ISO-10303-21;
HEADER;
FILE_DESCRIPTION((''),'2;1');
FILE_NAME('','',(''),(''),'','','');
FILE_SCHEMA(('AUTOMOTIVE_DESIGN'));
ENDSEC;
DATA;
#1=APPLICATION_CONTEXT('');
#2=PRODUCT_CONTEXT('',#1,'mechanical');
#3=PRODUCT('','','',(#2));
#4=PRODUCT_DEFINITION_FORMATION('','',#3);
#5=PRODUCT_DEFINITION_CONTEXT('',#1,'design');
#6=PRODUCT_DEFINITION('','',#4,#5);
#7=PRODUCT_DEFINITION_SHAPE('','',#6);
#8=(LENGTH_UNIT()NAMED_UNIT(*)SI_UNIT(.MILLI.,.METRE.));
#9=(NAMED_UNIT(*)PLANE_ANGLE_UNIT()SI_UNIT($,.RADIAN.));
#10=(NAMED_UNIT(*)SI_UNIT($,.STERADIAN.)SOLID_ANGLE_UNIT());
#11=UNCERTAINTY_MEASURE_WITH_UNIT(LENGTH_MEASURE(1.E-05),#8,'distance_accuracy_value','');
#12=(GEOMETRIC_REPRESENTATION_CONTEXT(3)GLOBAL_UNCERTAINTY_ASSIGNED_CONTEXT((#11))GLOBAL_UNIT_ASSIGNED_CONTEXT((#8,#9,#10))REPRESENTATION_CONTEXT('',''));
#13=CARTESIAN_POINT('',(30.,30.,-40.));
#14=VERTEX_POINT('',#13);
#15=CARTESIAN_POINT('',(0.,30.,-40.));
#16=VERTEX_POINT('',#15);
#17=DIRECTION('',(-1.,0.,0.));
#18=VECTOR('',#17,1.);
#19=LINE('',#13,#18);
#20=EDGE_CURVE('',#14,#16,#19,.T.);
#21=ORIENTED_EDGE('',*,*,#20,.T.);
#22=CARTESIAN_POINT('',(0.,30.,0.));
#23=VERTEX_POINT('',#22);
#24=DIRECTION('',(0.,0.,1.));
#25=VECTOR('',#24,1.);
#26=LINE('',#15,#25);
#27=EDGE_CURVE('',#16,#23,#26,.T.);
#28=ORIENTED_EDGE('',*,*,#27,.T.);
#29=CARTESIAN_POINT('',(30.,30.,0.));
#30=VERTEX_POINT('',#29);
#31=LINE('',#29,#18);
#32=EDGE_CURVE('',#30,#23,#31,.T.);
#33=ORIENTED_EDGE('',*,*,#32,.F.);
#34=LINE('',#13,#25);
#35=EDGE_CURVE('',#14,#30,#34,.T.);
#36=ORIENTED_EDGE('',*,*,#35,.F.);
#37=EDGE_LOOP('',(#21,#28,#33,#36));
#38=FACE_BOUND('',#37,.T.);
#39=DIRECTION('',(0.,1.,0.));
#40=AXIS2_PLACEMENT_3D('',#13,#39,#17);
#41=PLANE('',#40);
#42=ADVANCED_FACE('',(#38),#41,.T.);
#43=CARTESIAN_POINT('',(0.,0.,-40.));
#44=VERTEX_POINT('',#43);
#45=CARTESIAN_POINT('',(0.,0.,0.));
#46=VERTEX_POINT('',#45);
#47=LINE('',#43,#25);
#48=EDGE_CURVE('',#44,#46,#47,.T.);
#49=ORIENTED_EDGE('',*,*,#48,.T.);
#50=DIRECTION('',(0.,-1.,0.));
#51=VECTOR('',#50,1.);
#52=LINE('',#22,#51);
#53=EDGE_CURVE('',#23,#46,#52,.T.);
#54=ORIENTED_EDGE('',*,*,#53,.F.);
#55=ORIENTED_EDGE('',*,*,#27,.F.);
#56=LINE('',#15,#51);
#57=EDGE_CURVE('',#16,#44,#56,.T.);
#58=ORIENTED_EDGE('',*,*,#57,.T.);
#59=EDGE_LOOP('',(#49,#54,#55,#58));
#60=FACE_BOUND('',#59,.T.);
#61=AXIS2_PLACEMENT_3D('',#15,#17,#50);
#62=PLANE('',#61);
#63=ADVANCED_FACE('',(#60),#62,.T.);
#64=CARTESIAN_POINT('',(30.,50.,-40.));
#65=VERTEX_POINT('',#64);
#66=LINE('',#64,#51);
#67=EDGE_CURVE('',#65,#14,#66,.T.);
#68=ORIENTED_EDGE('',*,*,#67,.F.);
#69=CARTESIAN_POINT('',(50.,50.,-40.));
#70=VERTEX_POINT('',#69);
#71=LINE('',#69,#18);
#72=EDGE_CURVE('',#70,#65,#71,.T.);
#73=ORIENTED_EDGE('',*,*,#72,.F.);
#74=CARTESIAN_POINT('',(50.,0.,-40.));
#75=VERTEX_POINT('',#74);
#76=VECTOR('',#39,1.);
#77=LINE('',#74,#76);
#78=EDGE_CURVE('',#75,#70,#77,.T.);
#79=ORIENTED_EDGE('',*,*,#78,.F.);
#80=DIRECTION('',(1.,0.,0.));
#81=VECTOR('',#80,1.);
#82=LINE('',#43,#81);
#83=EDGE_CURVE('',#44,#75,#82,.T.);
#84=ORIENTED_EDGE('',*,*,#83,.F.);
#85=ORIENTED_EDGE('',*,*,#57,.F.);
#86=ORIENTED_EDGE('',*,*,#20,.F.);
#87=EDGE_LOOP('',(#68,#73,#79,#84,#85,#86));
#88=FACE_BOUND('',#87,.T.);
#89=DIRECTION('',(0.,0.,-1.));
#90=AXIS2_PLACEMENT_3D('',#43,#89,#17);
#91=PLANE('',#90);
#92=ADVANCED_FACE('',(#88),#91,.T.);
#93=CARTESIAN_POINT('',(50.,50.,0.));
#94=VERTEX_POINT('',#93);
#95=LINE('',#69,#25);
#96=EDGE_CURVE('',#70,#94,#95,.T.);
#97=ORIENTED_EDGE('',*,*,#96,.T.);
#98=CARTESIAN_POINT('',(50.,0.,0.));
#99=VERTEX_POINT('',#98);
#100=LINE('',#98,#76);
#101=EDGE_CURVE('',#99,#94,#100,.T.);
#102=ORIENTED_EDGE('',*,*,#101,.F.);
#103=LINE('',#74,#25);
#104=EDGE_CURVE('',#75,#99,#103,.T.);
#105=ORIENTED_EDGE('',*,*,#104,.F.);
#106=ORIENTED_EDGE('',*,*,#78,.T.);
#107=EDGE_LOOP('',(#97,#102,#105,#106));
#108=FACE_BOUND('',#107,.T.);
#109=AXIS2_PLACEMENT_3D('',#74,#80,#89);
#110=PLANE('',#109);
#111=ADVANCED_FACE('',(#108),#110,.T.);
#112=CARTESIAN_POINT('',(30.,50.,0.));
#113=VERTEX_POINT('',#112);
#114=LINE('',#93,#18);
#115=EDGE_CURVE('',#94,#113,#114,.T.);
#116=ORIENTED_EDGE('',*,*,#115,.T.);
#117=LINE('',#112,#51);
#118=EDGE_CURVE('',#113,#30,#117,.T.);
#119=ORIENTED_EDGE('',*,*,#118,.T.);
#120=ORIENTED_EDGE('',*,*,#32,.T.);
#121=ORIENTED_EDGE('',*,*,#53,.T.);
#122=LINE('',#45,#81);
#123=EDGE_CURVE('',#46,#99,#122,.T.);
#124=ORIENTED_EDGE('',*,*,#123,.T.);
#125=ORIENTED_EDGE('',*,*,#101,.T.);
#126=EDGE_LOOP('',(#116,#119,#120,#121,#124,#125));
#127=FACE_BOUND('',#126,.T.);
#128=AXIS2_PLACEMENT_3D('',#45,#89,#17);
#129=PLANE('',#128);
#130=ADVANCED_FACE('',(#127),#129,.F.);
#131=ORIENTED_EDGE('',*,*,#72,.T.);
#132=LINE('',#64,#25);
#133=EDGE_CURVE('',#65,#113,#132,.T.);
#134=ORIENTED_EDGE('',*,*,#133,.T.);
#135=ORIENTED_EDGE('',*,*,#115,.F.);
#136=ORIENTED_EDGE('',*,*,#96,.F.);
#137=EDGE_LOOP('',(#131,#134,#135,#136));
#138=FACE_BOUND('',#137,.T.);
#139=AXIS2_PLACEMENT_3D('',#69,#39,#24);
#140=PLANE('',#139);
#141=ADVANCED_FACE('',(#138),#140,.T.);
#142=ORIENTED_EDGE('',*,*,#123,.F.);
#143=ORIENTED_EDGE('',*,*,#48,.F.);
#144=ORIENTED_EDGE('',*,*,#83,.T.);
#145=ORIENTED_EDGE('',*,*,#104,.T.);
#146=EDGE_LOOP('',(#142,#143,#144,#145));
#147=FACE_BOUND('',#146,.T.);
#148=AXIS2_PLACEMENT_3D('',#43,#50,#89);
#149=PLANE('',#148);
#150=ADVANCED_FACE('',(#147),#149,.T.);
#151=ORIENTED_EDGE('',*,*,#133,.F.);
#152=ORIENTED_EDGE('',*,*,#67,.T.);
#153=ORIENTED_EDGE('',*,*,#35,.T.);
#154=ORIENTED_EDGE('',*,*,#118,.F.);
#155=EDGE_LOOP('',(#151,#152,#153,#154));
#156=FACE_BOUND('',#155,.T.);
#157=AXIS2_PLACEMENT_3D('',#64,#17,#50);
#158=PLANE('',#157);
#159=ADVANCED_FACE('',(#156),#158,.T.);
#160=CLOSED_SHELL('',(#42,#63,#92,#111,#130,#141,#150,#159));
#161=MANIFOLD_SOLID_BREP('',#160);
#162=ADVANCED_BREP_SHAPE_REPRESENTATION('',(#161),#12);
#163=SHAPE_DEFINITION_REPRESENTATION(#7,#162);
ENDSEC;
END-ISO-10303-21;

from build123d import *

# Parameters (mm, degrees)
BOSS_EXTRUDE1_DEPTH = 40


with BuildPart() as part:
    # Sketch1 → Boss-Extrude1 (new body)
    with BuildSketch(Plane.XY):
        Polygon((0, 0), (50, 0), (50, 50), (30, 50), (30, 30), (0, 30), align=None)
    extrude(amount=-BOSS_EXTRUDE1_DEPTH)


solid = part.part
